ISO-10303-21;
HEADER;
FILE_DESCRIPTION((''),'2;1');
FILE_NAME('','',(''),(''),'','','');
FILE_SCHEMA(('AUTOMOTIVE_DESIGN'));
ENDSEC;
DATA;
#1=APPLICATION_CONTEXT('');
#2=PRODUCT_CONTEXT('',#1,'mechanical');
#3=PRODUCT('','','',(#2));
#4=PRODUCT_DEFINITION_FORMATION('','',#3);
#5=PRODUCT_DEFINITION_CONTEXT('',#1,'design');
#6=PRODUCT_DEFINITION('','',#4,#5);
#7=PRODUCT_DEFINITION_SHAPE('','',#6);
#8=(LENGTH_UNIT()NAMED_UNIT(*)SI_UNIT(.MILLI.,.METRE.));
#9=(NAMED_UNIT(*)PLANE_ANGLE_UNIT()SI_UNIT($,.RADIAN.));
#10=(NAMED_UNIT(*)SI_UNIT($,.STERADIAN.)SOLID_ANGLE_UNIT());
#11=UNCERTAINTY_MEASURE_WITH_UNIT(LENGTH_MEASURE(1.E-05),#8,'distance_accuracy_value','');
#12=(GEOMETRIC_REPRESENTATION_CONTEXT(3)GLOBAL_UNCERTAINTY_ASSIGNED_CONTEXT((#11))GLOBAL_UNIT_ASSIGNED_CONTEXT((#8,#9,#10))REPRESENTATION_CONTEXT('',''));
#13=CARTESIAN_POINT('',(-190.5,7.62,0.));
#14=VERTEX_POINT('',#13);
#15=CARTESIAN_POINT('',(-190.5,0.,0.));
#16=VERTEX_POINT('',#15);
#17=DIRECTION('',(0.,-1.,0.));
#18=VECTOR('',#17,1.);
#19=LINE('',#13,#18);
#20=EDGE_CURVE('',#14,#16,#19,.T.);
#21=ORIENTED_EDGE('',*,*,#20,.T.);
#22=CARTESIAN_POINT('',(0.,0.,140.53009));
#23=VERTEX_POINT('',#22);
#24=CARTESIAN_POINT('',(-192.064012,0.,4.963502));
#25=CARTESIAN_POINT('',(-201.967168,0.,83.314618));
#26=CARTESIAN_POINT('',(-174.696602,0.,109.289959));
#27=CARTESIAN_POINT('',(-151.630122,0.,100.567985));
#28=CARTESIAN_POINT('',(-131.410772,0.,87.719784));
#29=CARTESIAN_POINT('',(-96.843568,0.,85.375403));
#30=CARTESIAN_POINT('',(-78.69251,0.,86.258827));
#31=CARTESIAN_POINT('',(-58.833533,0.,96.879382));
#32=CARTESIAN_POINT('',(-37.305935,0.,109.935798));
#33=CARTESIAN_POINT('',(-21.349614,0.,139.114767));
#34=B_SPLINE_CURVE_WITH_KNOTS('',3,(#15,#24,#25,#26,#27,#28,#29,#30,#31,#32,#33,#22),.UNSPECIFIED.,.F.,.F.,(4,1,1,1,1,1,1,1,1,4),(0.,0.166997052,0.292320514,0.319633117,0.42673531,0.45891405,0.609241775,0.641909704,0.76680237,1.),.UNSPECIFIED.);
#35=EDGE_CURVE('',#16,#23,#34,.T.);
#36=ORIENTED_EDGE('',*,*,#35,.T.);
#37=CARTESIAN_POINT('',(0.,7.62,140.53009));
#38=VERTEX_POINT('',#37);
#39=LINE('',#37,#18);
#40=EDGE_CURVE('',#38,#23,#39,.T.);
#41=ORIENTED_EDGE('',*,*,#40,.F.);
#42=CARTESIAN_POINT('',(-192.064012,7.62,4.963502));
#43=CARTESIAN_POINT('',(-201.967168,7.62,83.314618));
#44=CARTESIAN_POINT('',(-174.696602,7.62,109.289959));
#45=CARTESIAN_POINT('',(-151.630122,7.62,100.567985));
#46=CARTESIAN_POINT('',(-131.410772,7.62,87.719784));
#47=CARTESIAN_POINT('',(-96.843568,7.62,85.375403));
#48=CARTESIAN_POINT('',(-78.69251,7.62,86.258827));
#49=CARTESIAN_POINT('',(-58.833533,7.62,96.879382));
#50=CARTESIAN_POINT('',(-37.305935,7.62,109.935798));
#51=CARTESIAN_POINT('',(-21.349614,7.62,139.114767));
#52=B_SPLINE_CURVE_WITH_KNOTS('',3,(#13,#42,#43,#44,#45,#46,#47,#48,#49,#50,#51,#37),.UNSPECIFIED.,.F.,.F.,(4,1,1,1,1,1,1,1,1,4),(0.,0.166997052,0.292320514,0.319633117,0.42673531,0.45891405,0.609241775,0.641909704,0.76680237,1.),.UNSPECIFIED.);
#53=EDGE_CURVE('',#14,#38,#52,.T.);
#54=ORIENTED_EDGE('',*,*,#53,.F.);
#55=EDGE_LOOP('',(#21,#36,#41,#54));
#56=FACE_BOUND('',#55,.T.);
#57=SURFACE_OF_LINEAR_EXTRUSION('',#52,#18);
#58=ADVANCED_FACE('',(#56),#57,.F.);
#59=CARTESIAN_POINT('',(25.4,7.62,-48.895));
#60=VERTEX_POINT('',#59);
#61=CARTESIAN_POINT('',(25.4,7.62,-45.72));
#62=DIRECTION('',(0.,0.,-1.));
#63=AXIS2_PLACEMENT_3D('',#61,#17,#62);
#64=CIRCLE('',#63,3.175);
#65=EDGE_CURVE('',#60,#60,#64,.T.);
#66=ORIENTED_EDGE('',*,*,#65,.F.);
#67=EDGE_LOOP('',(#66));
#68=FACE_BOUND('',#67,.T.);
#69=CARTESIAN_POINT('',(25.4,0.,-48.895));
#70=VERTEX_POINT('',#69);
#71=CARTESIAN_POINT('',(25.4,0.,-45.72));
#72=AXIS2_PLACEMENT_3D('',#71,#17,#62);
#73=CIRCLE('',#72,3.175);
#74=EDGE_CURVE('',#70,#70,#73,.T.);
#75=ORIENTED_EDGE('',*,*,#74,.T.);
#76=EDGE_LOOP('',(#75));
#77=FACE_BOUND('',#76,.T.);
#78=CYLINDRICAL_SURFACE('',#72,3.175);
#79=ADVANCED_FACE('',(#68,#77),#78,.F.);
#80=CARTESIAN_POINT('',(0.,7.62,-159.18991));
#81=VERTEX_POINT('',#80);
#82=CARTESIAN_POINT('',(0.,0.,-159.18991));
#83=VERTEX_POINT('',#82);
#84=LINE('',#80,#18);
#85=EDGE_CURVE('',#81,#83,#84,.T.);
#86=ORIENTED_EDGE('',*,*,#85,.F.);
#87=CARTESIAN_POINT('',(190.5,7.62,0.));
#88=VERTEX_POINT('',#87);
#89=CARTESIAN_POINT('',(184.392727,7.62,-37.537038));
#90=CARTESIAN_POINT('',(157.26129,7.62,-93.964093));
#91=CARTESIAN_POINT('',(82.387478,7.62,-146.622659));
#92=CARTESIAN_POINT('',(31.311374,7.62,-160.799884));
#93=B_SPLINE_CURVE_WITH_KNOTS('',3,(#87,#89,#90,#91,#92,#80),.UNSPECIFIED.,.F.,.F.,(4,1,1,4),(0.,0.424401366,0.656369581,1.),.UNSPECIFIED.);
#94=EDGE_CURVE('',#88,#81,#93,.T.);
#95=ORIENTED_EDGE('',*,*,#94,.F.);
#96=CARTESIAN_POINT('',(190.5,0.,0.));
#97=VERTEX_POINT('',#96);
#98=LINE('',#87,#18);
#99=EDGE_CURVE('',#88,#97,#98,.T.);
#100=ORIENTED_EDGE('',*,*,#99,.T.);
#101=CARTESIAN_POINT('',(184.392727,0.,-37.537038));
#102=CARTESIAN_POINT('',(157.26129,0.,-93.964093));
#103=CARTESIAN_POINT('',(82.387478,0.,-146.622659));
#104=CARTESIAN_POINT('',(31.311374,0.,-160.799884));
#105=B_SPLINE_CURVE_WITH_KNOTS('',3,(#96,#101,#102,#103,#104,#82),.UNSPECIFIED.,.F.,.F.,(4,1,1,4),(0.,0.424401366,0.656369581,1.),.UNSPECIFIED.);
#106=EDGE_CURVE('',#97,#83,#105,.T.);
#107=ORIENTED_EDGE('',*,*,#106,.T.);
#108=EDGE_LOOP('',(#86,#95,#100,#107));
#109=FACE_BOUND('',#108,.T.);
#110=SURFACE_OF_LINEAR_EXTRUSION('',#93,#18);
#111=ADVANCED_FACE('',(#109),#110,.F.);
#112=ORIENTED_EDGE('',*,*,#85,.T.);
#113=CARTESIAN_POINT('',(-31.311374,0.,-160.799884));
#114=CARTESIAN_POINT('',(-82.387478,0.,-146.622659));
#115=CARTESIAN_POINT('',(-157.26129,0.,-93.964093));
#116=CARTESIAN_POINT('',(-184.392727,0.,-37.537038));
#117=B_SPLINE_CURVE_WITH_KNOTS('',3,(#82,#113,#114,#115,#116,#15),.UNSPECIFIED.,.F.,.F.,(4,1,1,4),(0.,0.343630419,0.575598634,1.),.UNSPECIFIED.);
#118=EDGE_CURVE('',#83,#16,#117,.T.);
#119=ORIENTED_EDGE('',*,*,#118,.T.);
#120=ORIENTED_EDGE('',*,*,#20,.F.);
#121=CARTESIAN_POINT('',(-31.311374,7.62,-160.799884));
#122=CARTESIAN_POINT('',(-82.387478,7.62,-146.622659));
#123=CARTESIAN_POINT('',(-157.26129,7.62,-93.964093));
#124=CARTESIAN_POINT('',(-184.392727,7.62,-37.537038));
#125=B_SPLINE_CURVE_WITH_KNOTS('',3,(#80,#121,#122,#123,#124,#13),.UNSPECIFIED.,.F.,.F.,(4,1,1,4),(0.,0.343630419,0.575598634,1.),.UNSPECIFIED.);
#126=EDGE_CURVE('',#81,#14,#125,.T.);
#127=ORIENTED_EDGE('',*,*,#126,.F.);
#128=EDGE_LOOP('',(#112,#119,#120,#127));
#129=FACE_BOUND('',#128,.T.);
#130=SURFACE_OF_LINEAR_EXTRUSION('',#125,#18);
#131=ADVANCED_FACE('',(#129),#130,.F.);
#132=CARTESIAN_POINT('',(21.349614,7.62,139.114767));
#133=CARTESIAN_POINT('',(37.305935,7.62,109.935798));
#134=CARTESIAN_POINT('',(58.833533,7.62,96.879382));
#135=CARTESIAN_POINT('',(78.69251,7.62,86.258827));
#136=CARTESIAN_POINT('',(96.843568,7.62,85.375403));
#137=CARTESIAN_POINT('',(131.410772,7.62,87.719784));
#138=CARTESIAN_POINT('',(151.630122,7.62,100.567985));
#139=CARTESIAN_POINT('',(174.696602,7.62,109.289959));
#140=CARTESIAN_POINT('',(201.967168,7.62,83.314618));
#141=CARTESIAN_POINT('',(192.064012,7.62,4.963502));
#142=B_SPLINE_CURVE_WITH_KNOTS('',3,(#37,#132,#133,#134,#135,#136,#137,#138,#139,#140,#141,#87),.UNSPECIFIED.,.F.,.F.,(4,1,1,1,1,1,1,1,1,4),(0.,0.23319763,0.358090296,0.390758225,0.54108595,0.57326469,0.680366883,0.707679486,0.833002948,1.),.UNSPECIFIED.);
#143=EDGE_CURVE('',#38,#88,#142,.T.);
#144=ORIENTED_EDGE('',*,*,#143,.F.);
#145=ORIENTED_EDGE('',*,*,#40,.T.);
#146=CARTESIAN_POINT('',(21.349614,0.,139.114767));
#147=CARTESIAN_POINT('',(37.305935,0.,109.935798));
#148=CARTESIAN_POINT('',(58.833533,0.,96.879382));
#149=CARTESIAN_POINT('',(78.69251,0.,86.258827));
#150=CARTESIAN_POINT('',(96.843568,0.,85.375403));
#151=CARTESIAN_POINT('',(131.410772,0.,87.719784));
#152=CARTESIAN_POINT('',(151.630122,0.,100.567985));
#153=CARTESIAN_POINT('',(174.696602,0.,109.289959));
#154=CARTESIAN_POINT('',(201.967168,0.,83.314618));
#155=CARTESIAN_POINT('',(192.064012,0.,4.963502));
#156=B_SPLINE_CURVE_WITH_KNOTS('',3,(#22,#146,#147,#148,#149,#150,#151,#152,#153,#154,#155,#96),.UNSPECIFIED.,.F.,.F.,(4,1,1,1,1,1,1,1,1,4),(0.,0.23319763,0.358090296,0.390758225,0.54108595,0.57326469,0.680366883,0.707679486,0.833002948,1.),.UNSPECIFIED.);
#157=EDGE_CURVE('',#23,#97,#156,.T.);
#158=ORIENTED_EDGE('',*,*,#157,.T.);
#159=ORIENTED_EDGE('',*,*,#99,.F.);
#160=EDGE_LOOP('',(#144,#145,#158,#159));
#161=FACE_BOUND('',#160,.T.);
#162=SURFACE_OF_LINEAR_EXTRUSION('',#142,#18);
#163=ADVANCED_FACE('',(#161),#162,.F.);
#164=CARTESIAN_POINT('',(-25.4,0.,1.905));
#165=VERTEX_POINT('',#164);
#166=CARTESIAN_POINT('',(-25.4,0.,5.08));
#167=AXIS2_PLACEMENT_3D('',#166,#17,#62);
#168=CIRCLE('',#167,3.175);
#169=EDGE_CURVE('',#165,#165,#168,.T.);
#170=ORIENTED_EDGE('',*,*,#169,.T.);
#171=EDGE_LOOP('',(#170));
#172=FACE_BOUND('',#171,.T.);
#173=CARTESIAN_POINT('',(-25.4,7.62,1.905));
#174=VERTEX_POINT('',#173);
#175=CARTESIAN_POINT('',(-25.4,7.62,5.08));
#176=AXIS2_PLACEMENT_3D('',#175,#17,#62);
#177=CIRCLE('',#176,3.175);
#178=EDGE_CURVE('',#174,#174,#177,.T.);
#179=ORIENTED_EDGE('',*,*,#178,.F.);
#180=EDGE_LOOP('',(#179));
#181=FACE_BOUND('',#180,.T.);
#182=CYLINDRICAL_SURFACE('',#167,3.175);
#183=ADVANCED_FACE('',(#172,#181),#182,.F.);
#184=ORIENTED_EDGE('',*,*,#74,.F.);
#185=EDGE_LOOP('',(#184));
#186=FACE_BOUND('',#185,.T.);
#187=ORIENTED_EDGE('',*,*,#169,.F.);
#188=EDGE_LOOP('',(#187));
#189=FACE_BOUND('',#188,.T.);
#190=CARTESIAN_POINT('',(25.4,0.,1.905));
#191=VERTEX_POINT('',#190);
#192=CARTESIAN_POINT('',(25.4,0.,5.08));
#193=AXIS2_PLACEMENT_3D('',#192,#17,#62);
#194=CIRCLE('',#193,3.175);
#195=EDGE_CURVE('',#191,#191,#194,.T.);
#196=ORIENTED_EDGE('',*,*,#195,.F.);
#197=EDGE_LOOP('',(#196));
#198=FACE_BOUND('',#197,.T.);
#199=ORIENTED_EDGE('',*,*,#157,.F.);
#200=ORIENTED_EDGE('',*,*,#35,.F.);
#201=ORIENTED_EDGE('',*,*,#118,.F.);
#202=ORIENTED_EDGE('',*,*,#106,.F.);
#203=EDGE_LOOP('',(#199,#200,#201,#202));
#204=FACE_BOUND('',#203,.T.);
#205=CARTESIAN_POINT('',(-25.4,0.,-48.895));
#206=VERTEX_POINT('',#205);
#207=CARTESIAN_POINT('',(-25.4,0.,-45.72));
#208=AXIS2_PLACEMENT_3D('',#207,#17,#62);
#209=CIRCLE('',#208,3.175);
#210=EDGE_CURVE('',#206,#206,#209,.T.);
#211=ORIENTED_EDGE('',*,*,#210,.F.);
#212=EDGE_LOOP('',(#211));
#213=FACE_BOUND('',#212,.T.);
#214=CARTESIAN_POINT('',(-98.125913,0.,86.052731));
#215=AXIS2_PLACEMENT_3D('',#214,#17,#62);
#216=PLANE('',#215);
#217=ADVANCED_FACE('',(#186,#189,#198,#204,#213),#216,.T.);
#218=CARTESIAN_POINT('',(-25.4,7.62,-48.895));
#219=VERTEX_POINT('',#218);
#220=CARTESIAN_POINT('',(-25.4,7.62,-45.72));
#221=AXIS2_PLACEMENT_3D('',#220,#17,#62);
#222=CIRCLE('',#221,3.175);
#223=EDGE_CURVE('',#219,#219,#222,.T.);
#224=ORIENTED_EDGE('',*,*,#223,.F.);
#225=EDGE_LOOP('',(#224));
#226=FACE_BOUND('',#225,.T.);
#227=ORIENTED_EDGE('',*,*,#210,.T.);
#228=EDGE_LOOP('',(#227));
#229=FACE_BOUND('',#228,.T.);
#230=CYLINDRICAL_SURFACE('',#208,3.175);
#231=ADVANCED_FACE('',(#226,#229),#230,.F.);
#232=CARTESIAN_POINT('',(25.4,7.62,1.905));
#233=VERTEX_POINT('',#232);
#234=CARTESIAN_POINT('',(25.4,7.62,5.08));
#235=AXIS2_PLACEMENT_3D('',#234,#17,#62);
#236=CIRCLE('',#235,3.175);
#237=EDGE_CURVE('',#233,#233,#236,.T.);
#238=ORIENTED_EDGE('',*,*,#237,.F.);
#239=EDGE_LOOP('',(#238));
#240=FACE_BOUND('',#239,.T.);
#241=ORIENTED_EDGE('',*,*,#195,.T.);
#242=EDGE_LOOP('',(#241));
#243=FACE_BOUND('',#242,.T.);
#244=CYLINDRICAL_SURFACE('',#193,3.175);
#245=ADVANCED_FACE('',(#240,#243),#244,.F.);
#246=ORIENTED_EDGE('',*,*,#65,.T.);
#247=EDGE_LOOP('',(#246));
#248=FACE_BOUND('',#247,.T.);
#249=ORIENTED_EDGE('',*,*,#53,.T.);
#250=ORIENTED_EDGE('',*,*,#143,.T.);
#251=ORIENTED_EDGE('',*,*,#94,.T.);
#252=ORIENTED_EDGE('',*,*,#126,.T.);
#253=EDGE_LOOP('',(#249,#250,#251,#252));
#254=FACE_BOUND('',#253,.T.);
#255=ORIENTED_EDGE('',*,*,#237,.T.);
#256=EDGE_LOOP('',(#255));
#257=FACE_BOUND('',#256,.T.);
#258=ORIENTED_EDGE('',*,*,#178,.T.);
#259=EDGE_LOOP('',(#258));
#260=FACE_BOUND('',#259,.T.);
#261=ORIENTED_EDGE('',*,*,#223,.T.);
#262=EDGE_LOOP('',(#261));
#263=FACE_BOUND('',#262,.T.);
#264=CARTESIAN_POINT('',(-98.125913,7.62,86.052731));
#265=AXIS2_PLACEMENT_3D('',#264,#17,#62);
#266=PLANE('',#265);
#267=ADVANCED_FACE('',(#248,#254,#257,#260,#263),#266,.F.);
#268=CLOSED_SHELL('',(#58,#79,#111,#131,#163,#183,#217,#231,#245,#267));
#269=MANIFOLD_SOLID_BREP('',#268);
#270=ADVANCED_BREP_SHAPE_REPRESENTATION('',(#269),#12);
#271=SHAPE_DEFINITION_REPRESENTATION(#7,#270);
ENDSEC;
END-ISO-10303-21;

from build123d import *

# Parameters (mm, degrees)
BOSS_EXTRUDE1_DEPTH         = 7.62
F_1_4_0_25_DIAMETER_HOLE1_D = 6.35


with BuildPart() as part:
    # Sketch3 → Boss-Extrude1 (new body)
    with BuildSketch(Plane(origin=(0, 0, 0), x_dir=(1, 0, 0), z_dir=(0, 1, 0))):
        with BuildLine():
            add(Edge.make_bspline(
                [(-190.5, 0), (-184.392726562, 37.537038237), (-157.261289847, 93.964093485), (-82.387478202, 146.622658841), (-31.311374143, 160.799884185), (0, 159.189909928)],
                knots=[0, 0, 0, 0, 0.424401366, 0.656369581, 1, 1, 1, 1], degree=3))
            add(Edge.make_bspline(
                [(190.5, 0), (184.392726562, 37.537038237), (157.261289847, 93.964093485), (82.387478202, 146.622658841), (31.311374143, 160.799884185), (0, 159.189909928)],
                knots=[0, 0, 0, 0, 0.424401366, 0.656369581, 1, 1, 1, 1], degree=3))
            add(Edge.make_bspline(
                [(190.5, 0), (192.064011793, -4.963501926), (201.967167766, -83.314618311), (174.696602041, -109.289958804), (151.630121659, -100.567984898), (131.410771519, -87.719783961), (96.843567628, -85.375403377), (78.692510144, -86.25882742), (58.833533072, -96.87938247), (37.30593461, -109.935798162), (21.349613946, -139.114767457), (0, -140.530090072)],
                knots=[0, 0, 0, 0, 0.166997052, 0.292320514, 0.319633117, 0.42673531, 0.45891405, 0.609241775, 0.641909704, 0.76680237, 1, 1, 1, 1], degree=3))
            add(Edge.make_bspline(
                [(-190.5, 0), (-192.064011793, -4.963501926), (-201.967167766, -83.314618311), (-174.696602041, -109.289958804), (-151.630121659, -100.567984898), (-131.410771519, -87.719783961), (-96.843567628, -85.375403377), (-78.692510144, -86.25882742), (-58.833533072, -96.87938247), (-37.30593461, -109.935798162), (-21.349613946, -139.114767457), (0, -140.530090072)],
                knots=[0, 0, 0, 0, 0.166997052, 0.292320514, 0.319633117, 0.42673531, 0.45891405, 0.609241775, 0.641909704, 0.76680237, 1, 1, 1, 1], degree=3))
        make_face()
    extrude(amount=BOSS_EXTRUDE1_DEPTH)

    # 1/4 (0.25) Diameter Hole1 (through all)
    with Locations(Plane(origin=(0, 0, 0), x_dir=(-1, 0, 0), z_dir=(0, -1, 0))):
        with Locations((-25.4, 45.72), (25.4, 45.72), (25.4, -5.08), (-25.4, -5.08)):
            Hole(F_1_4_0_25_DIAMETER_HOLE1_D / 2)


solid = part.part
